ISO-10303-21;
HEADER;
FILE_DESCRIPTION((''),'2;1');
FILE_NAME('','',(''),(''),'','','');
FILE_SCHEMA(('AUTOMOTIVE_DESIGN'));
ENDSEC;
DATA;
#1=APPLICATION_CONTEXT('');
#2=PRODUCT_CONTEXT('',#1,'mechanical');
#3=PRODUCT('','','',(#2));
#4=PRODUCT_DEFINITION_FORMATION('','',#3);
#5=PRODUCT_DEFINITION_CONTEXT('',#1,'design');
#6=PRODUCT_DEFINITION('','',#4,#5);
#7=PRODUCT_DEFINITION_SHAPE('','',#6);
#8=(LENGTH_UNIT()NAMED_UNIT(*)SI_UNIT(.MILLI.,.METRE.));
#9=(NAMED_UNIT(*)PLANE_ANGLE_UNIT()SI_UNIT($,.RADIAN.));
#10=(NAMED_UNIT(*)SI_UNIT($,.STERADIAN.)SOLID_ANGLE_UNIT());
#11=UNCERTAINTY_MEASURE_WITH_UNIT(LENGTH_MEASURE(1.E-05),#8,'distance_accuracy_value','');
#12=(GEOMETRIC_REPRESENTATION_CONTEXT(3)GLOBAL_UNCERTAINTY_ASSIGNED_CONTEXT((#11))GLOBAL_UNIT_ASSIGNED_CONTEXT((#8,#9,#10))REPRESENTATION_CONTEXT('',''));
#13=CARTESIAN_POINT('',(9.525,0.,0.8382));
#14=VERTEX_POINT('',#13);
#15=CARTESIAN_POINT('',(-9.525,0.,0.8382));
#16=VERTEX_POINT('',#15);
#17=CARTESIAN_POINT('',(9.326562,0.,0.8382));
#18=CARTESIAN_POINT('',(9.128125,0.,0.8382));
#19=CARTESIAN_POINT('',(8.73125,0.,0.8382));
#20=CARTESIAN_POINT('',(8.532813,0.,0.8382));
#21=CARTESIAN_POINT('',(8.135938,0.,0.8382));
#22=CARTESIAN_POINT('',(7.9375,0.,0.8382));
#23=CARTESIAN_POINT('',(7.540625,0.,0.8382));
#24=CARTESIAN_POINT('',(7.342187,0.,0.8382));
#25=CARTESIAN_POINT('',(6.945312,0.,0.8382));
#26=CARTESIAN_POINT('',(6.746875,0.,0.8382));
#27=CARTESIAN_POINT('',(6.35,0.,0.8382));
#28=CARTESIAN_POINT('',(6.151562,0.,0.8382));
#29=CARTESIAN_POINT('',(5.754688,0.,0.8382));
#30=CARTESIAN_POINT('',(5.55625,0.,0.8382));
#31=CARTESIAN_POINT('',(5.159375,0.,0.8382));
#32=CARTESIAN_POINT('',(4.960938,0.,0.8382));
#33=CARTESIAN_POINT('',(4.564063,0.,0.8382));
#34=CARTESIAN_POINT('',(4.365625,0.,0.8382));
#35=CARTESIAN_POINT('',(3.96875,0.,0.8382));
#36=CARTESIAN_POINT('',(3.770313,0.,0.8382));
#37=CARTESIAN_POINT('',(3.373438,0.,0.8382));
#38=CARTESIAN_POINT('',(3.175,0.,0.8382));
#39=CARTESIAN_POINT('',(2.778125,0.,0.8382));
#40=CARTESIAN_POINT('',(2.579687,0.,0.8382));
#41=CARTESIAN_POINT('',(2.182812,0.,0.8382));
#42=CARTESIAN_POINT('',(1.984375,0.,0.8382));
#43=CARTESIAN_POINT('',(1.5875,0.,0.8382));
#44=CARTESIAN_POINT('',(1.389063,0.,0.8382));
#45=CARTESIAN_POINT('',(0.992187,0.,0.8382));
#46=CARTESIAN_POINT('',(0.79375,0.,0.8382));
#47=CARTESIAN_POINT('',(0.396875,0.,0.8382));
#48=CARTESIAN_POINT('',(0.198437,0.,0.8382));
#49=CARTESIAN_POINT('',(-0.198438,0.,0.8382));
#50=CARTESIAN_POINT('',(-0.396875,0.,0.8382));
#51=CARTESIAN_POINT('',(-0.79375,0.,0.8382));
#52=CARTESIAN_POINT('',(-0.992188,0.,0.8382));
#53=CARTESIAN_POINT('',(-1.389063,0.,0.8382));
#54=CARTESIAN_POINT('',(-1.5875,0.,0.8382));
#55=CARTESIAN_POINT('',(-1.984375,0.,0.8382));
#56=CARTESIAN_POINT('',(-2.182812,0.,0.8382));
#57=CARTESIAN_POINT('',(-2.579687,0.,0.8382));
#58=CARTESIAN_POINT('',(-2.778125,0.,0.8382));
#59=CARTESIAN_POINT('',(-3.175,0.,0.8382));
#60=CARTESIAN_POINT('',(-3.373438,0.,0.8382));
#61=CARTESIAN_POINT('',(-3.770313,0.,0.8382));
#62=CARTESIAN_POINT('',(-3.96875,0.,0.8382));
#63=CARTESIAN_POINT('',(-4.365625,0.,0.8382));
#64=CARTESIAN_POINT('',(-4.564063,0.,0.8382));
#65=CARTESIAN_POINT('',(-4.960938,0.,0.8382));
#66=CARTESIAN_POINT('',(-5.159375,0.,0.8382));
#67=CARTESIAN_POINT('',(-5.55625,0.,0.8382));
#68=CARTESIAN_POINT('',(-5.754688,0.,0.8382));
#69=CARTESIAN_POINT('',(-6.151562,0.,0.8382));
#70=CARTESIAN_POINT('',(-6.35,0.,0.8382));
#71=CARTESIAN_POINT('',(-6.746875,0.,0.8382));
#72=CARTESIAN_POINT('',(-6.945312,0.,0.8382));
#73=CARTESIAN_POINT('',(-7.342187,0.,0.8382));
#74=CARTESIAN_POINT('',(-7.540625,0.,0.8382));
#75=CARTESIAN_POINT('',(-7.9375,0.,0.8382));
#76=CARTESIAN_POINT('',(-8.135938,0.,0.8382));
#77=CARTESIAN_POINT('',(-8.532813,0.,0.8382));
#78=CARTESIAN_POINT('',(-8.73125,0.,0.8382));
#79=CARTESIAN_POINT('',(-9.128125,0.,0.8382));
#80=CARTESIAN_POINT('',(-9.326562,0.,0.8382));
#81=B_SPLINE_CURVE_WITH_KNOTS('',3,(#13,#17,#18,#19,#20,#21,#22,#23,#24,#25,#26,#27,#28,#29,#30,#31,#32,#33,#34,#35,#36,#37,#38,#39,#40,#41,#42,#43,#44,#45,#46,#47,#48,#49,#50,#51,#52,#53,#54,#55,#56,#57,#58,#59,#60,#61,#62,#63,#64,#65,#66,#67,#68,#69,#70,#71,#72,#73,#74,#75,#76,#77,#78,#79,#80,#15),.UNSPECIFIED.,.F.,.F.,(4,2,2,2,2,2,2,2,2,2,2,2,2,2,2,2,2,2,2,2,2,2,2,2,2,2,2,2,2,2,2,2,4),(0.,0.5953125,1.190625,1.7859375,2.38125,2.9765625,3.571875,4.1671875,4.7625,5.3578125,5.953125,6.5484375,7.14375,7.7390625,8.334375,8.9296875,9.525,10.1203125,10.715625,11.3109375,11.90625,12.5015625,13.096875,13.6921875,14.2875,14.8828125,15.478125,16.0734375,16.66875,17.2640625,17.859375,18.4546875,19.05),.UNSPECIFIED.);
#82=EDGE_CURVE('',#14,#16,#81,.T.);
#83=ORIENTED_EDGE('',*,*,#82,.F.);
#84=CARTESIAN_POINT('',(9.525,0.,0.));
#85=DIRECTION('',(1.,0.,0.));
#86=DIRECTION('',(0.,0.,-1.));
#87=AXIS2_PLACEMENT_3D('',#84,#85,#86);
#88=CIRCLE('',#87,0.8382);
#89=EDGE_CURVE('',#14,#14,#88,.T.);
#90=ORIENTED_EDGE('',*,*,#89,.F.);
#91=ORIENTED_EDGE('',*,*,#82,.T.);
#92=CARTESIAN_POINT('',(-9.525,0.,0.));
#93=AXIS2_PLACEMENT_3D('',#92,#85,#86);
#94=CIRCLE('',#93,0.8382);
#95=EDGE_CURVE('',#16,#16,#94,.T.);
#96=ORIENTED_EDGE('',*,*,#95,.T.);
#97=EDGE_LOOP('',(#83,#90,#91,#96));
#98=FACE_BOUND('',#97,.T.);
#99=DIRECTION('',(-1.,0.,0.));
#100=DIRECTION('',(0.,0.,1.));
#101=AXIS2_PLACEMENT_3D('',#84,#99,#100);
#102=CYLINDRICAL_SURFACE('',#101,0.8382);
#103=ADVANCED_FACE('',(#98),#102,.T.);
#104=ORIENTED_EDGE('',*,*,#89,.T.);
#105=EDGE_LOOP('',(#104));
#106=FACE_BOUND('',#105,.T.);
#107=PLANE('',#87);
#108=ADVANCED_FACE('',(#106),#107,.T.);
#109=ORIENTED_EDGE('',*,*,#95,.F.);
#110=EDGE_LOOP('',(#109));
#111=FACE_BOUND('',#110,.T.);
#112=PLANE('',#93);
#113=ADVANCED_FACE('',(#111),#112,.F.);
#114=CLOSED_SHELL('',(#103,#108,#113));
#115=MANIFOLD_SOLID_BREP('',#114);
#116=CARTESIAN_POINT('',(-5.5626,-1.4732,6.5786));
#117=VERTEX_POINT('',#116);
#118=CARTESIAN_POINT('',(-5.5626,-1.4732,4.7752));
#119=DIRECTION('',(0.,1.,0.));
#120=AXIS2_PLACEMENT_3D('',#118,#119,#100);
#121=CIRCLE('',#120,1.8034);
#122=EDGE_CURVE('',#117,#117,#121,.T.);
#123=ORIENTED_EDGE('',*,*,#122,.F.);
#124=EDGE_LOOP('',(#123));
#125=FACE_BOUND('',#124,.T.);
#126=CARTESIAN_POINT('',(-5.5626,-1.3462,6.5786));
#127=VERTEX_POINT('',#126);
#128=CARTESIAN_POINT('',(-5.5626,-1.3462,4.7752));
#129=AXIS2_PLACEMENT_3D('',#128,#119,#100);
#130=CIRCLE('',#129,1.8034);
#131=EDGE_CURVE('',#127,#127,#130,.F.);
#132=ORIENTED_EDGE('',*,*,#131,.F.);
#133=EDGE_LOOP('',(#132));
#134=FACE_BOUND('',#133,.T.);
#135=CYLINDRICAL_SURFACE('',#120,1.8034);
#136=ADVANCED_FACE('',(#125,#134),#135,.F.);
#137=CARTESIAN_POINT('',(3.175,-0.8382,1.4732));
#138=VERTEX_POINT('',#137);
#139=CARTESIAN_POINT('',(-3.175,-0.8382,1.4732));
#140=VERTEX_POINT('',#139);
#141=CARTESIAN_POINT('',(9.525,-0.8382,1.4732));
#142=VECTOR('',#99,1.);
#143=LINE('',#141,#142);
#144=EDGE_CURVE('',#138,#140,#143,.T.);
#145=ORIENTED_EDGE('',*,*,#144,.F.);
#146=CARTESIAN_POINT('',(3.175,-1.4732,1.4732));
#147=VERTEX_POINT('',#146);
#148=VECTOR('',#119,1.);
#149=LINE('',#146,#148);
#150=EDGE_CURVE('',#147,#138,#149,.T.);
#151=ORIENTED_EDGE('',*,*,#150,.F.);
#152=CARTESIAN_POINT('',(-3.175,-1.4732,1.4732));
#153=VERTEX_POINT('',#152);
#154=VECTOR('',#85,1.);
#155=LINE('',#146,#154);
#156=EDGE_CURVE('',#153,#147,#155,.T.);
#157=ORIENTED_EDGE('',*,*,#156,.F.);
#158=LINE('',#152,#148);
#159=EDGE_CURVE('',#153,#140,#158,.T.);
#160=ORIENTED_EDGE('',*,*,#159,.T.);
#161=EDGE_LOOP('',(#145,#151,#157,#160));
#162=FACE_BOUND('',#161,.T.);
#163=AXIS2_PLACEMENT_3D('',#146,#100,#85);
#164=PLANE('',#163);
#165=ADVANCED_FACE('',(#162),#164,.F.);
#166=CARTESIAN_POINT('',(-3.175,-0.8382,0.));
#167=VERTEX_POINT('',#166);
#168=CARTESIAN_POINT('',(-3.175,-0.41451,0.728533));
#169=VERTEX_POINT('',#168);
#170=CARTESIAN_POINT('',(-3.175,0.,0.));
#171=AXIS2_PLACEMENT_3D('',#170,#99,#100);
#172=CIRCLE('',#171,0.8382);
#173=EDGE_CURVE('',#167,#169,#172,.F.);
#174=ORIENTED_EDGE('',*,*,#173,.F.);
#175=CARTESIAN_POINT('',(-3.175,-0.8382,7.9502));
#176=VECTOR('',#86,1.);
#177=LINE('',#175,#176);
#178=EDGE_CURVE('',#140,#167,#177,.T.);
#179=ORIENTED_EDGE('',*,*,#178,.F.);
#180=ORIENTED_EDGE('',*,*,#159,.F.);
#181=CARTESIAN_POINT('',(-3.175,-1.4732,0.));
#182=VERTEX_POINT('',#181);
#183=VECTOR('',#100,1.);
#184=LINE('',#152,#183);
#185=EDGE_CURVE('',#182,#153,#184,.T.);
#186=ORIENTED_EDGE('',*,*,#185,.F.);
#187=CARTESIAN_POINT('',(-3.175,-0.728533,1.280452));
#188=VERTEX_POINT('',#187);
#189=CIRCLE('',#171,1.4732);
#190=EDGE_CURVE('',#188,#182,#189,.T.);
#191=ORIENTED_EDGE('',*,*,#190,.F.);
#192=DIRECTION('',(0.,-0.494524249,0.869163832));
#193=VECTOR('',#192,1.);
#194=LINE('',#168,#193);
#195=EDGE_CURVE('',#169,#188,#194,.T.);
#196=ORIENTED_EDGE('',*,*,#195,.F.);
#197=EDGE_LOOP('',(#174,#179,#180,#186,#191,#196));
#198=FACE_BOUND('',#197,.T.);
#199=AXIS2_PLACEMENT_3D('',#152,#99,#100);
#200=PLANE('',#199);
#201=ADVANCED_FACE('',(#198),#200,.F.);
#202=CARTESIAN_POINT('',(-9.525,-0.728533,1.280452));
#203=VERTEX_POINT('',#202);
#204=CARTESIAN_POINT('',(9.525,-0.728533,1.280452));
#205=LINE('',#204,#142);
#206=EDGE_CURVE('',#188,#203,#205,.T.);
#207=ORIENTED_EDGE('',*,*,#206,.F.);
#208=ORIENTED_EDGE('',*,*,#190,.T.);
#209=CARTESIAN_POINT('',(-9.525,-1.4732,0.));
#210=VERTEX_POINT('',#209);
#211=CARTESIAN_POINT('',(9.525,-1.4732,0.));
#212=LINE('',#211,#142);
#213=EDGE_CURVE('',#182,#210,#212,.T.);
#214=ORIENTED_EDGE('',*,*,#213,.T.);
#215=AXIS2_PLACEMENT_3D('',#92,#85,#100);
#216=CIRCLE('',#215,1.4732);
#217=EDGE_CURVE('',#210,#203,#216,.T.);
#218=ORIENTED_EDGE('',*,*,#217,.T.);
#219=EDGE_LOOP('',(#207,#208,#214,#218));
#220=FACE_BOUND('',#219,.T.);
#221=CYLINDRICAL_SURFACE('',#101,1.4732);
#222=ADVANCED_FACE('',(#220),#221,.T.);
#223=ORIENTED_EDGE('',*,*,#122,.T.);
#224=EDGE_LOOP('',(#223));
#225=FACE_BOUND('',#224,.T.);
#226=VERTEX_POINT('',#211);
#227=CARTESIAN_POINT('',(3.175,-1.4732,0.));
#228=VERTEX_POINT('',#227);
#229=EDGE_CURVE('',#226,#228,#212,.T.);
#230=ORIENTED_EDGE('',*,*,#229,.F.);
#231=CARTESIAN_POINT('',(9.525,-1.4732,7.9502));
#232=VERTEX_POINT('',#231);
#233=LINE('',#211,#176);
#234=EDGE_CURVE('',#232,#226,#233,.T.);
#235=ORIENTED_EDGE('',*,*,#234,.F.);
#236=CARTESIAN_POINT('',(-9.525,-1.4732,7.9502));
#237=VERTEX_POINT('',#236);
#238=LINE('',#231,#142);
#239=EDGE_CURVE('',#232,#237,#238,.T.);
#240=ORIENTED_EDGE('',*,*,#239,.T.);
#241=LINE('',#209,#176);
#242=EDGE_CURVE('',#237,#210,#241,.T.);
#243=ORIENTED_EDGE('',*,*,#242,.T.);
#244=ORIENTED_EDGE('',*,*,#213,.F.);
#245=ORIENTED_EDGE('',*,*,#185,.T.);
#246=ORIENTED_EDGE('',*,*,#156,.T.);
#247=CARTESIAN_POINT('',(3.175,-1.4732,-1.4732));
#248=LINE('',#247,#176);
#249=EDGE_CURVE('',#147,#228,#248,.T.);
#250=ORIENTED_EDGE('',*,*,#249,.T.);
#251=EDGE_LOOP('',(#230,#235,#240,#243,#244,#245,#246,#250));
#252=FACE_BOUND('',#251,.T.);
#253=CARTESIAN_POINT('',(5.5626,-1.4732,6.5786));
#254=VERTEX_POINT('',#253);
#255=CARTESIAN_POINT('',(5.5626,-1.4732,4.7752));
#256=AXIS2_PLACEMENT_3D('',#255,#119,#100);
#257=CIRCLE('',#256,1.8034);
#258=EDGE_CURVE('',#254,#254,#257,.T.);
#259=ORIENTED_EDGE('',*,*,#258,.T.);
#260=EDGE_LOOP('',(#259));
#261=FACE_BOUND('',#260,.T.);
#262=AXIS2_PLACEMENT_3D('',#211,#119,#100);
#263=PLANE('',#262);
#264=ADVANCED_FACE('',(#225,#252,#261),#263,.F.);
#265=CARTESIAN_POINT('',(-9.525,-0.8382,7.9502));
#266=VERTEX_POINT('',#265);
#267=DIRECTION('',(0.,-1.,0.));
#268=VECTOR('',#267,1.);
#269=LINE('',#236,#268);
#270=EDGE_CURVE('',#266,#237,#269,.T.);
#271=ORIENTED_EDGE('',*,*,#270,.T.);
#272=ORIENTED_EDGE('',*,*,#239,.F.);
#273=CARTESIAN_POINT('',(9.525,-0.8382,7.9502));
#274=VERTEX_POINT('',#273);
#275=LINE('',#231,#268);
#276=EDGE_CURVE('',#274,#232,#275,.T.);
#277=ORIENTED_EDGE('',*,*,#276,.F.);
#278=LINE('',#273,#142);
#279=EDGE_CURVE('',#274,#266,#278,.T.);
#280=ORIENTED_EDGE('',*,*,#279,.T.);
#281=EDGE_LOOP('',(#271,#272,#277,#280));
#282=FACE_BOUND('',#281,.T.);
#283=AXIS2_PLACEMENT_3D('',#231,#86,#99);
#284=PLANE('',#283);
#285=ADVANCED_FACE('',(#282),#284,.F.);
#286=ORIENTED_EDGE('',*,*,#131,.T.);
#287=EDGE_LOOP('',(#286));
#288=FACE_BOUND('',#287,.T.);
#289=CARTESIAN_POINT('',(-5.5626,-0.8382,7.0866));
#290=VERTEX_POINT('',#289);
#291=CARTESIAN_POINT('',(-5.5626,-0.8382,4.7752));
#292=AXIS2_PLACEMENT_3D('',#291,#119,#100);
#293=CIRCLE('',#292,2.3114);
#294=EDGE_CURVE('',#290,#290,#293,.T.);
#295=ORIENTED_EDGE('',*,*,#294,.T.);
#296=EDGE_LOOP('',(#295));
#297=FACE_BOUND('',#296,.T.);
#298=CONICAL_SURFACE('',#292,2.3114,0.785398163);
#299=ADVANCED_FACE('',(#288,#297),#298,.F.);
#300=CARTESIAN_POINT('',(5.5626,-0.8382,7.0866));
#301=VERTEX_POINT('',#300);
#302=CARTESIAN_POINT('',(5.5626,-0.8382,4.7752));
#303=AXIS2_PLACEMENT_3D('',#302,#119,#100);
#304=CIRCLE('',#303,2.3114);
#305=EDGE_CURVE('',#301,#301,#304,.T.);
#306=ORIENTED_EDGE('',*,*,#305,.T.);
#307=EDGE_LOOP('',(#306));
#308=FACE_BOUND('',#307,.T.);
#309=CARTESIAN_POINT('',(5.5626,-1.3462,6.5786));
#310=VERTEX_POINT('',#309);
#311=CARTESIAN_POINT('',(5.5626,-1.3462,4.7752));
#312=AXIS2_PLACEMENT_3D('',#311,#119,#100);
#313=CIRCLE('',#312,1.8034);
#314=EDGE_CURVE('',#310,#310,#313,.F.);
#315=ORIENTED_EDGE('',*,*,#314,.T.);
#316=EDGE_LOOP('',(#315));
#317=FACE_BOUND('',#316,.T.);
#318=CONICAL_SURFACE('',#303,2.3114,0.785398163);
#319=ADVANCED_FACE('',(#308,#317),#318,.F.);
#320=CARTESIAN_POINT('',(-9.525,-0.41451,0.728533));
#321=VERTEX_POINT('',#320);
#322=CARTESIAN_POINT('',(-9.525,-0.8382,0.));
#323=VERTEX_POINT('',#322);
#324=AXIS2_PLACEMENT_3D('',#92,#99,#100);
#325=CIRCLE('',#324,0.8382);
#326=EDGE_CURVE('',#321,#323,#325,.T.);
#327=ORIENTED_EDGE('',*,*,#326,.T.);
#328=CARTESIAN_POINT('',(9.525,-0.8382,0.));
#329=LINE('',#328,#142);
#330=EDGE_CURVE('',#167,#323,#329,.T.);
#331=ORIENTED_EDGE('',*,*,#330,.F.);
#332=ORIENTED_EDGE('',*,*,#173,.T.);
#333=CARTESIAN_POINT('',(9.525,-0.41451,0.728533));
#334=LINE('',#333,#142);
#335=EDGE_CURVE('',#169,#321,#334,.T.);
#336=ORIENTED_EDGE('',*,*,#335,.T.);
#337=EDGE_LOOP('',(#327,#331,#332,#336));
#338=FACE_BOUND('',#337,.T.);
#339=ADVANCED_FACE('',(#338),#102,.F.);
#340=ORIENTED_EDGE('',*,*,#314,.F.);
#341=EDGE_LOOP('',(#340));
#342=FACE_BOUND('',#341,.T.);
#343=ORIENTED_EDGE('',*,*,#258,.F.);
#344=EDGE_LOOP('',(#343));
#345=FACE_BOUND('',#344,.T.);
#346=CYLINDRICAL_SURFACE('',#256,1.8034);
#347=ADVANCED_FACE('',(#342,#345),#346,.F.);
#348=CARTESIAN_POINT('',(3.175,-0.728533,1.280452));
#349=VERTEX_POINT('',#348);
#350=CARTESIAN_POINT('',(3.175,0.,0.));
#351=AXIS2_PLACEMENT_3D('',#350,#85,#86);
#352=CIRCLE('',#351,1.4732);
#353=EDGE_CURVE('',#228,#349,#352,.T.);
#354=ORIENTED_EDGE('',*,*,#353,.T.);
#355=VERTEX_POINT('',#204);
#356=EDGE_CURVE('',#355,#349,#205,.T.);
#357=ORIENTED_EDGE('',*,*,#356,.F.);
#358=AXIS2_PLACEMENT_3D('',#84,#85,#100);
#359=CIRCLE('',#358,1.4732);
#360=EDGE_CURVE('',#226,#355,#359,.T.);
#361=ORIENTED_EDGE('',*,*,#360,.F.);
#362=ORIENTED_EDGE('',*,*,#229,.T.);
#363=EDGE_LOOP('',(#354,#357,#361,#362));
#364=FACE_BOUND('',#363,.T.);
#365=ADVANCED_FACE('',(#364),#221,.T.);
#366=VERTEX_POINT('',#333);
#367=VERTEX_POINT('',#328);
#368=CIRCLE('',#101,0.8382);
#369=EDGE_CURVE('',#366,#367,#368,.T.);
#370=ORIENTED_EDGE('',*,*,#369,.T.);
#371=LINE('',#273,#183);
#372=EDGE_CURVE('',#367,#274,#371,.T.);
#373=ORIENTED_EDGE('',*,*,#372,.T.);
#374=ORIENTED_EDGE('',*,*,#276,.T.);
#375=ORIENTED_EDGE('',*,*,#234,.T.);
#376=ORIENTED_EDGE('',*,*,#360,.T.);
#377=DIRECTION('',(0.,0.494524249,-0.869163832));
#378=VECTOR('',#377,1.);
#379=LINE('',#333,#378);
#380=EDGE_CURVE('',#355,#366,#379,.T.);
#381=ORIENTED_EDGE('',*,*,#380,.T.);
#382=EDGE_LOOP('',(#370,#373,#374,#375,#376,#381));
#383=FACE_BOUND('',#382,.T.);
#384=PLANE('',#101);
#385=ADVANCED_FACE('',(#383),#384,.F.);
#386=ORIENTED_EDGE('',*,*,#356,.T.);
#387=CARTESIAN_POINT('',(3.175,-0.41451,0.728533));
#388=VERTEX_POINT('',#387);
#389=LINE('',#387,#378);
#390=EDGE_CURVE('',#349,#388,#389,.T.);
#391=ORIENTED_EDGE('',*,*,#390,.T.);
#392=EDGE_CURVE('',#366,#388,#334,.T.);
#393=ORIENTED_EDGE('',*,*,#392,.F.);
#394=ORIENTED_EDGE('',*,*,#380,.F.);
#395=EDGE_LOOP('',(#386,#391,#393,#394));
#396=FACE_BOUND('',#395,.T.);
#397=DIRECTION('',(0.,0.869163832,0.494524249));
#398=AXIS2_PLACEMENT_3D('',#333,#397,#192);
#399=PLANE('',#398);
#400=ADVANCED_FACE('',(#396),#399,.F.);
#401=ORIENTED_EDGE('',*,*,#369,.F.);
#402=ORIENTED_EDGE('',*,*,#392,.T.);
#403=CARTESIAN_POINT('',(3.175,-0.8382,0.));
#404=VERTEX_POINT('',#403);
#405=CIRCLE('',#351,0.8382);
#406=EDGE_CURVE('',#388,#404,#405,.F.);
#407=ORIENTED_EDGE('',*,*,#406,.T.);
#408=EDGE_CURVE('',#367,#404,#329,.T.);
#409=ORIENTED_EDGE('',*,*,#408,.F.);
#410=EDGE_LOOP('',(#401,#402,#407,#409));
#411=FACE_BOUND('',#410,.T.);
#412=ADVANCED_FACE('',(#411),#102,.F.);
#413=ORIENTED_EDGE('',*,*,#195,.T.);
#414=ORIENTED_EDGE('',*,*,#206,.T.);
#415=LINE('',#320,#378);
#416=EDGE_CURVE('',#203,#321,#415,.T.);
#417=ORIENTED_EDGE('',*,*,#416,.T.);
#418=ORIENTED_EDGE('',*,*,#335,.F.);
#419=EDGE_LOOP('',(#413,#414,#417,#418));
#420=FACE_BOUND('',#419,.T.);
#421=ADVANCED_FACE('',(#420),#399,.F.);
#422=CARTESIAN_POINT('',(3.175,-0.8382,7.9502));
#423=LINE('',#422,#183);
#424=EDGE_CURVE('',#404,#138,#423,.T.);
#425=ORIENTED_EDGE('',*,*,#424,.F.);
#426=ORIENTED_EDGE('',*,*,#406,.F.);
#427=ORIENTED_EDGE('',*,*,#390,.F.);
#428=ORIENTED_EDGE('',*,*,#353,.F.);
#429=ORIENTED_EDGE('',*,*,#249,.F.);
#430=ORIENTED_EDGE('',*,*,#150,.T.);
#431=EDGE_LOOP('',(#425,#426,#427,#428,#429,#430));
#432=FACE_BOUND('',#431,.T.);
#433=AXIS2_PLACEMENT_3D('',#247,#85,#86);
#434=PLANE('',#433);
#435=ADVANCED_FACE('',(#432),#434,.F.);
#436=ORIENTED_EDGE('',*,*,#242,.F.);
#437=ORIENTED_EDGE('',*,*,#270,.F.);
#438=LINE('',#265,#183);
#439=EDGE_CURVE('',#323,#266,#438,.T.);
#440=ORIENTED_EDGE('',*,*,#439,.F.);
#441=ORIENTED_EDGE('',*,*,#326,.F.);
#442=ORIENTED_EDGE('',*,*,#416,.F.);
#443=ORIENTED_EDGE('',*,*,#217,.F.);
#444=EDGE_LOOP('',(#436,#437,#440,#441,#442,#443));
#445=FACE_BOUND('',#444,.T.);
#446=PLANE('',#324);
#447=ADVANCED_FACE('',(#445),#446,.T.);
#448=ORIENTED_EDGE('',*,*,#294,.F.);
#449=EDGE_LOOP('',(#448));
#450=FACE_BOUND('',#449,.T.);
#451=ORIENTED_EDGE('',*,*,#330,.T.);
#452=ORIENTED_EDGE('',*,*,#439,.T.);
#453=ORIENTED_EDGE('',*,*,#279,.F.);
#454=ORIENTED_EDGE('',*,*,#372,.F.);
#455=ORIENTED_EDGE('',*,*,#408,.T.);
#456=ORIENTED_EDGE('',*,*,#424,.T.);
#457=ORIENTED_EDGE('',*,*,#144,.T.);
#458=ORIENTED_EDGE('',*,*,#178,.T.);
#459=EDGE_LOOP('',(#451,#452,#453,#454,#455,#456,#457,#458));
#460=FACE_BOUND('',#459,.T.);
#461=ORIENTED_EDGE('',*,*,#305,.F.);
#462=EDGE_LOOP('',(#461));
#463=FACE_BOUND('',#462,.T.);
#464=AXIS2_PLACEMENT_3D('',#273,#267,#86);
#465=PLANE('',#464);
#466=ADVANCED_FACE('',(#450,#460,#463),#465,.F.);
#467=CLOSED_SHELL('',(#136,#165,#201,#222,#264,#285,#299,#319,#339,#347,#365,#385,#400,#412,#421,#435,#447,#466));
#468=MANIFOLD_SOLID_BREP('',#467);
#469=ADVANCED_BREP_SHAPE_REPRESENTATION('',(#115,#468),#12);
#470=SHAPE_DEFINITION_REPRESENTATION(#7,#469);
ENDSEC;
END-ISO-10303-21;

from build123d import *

# Parameters (mm, degrees)
BOSS_EXTRUDE1_DEPTH     = 9.525
CUT_EXTRUDE1_DEPTH      = 13.494063522
CUT_EXTRUDE1_DEPTH_BACK = 13.494063522
SKETCH4_W               = 6.35
SKETCH4_H               = 2.9464
CUT_EXTRUDE3_DEPTH      = 13.494063522
CUT_EXTRUDE3_DEPTH_BACK = 13.494063522
SKETCH9_R               = 1.8034
SKETCH6_R               = 0.8382
BOSS_EXTRUDE2_DEPTH     = 9.525


with BuildPart() as part:
    # Sketch3 → Boss-Extrude1 (new, symmetric)
    with BuildSketch(Plane(origin=(0, 0, 0), x_dir=(0, 0, -1), z_dir=(1, 0, 0))):
        with BuildLine():
            Line((0, -1.4732), (-7.9502, -1.4732))
            Line((-7.9502, -1.4732), (-7.9502, -0.8382))
            Line((-7.9502, -0.8382), (0, -0.8382))
            ThreePointArc((0, -0.8382), (0.421388638, 0.724576328), (-0.728533124, -0.414510226))
            Line((-0.728533124, -0.414510226), (-1.280452157, -0.728533124))
            ThreePointArc((-1.280452157, -0.728533124), (0.740622455, 1.273497789), (0, -1.4732))
        make_face()
    extrude(amount=BOSS_EXTRUDE1_DEPTH, both=True)

    # Sketch4 → Cut-Extrude1 (cut, two sides: drawn at the far end of the back side and taken through both)
    with BuildSketch(Plane(origin=(0, 0, 0), x_dir=(1, 0, 0), z_dir=(0, 1, 0)).offset(-CUT_EXTRUDE1_DEPTH_BACK)):
        Rectangle(SKETCH4_W, SKETCH4_H)
    extrude(amount=CUT_EXTRUDE1_DEPTH + CUT_EXTRUDE1_DEPTH_BACK, mode=Mode.SUBTRACT)

    # Cut-Extrude2 cone 1 section (through the dimple's axis) → Cut-Extrude2 (revolve, cut)
    with BuildSketch(Plane(origin=(5.5626, -0.8382, 4.7752), x_dir=(0, 0, 1), z_dir=(1, 0, 0))):
        Polygon((0, 0), (2.3114, 0), (0, 2.3114), align=None)
    revolve(axis=Axis((5.5626, -0.8382, 4.7752), (0, -1, 0)), mode=Mode.SUBTRACT)

    # Cut-Extrude2 cone 2 section (through the dimple's axis) → Cut-Extrude2 cone 2 (revolve, cut)
    with BuildSketch(Plane(origin=(-5.5626, -0.8382, 4.7752), x_dir=(0, 0, 1), z_dir=(1, 0, 0))):
        Polygon((0, 0), (2.3114, 0), (0, 2.3114), align=None)
    revolve(axis=Axis((-5.5626, -0.8382, 4.7752), (0, -1, 0)), mode=Mode.SUBTRACT)

    # Sketch9 → Cut-Extrude3 (cut, two sides: drawn at the far end of the back side and taken through both)
    with BuildSketch(Plane(origin=(0, 0, 0), x_dir=(1, 0, 0), z_dir=(0, 1, 0)).offset(-CUT_EXTRUDE3_DEPTH_BACK)):
        with Locations(Location((5.5626, -4.7752, 0), (0, 0, 270))):
            Circle(SKETCH9_R)
        with Locations(Location((-5.5626, -4.7752, 0), (0, 0, 270))):
            Circle(SKETCH9_R)
    extrude(amount=CUT_EXTRUDE3_DEPTH + CUT_EXTRUDE3_DEPTH_BACK, mode=Mode.SUBTRACT)


with BuildPart() as body_2:
    # Sketch6 → Boss-Extrude2 (new, symmetric)
    with BuildSketch(Plane(origin=(0, 0, 0), x_dir=(0, 0, -1), z_dir=(1, 0, 0))):
        with Locations(Location((0, 0, 0), (0, 0, 180))):
            Circle(SKETCH6_R)
    extrude(amount=BOSS_EXTRUDE2_DEPTH, both=True)


solid = Compound([part.part, body_2.part])
